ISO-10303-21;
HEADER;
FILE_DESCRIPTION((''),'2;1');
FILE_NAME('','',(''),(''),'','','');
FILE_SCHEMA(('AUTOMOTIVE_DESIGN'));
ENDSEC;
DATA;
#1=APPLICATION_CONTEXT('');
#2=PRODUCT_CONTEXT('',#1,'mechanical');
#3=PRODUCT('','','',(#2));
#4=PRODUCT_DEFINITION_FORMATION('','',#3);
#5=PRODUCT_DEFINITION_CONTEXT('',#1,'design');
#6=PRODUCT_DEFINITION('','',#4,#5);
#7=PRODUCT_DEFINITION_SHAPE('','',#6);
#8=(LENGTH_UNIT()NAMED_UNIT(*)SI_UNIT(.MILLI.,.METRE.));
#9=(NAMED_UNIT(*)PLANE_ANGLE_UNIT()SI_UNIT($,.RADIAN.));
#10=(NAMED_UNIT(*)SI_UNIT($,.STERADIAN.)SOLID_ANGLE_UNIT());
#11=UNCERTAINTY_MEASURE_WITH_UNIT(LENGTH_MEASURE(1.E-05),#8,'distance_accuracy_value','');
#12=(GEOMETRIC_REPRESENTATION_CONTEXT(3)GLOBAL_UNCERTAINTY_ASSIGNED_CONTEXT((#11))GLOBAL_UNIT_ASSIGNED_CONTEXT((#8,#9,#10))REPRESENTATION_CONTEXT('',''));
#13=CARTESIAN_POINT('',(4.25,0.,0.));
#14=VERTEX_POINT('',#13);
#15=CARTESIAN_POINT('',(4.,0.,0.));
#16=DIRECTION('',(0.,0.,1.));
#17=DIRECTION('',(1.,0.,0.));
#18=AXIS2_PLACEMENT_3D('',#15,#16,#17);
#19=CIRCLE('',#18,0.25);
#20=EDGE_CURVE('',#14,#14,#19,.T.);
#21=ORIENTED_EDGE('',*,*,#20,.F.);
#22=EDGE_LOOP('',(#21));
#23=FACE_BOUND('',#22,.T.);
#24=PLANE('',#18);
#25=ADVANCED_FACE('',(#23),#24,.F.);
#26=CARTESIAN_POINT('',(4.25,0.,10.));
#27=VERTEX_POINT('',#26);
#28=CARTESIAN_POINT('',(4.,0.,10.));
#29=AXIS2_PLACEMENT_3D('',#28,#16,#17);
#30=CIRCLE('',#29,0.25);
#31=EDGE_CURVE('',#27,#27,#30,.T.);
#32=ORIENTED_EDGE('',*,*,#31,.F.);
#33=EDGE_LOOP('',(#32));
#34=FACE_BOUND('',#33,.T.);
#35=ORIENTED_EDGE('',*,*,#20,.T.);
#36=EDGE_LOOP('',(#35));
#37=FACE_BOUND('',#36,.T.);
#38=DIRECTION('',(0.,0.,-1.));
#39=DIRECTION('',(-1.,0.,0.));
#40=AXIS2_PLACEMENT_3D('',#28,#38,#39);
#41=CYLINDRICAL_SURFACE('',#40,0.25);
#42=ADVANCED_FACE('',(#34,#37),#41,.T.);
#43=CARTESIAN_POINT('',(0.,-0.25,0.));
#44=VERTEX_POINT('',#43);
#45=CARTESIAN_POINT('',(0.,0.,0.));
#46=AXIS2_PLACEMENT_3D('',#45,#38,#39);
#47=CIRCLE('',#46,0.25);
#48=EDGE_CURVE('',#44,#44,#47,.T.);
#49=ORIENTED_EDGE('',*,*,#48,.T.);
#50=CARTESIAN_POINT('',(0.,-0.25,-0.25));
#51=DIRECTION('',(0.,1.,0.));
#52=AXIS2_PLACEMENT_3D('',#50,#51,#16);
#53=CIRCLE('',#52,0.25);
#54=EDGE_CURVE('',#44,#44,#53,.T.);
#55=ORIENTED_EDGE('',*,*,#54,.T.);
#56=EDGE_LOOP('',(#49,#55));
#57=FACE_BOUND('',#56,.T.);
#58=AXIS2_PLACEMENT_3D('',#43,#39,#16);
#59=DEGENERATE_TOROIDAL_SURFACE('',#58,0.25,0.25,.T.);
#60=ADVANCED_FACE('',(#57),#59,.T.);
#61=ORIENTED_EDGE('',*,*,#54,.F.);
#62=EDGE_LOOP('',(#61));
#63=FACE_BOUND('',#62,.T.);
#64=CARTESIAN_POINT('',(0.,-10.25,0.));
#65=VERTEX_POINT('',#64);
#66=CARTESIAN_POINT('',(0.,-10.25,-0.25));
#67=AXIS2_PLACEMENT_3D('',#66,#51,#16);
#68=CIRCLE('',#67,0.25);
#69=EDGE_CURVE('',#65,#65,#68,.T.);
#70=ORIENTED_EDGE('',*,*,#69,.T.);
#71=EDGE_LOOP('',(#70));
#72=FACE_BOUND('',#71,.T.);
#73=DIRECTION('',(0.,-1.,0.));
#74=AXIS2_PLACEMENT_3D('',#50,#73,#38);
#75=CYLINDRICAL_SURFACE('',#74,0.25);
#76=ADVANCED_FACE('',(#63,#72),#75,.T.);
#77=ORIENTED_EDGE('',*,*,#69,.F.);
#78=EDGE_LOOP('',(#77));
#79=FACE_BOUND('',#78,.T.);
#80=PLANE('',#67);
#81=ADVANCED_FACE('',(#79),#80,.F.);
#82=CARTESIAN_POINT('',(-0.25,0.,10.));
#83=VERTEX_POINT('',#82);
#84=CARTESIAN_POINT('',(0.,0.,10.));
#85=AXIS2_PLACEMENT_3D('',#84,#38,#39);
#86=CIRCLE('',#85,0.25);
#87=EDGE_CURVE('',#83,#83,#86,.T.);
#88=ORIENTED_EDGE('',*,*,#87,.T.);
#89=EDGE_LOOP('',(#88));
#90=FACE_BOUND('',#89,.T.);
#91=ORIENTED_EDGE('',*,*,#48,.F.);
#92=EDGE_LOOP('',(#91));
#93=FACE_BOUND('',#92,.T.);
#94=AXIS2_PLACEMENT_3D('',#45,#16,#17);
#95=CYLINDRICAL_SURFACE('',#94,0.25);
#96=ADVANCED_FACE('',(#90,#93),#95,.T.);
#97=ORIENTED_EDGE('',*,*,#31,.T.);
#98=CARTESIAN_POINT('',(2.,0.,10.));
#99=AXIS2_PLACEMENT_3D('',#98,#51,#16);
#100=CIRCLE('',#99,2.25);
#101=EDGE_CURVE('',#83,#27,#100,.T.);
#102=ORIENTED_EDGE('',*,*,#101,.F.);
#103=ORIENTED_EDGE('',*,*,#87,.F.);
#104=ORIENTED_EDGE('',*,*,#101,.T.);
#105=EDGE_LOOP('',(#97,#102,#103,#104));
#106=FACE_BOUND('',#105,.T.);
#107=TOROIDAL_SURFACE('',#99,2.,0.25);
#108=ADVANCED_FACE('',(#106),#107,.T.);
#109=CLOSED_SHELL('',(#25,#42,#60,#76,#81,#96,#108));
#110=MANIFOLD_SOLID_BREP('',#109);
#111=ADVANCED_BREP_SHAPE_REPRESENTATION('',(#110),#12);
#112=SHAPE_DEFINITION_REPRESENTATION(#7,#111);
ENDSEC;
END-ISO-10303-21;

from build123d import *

# Parameters (mm, degrees)
VARREDURA2_PROFILE_R = 0.25
VARREDURA3_PROFILE_R = 0.25


with BuildPart() as part:
    # Varredura2: sweep along a path in Esboço1
    with BuildLine(Plane(origin=(0, 0, 0), x_dir=(1, 0, 0), z_dir=(0, 1, 0))) as varredura2_path:
        Line((0, 0), (0, -10))
        ThreePointArc((0, -10), (2, -12), (4, -10))
        Line((4, -10), (4, 0))
    # Varredura2 profile (on start of the path) → Varredura2 (sweep)
    with BuildSketch(Plane.XY):
        Circle(VARREDURA2_PROFILE_R)
    sweep(path=varredura2_path.line)

    # Varredura3: sweep along a path in Esboço2
    with BuildLine(Plane(origin=(0, 0, 0), x_dir=(0, 0, -1), z_dir=(1, 0, 0))) as varredura3_path:
        Line((0.25, -10.25), (0.25, -0.25))
        ThreePointArc((0.25, -0.25), (0.176776695, -0.073223305), (0, 0))
    # Varredura3 profile (on start of the path) → Varredura3 (sweep)
    with BuildSketch(Plane(origin=(0, -10.25, -0.25), x_dir=(0, 0, 1), z_dir=(0, 1, 0))):
        Circle(VARREDURA3_PROFILE_R)
    sweep(path=varredura3_path.line)


solid = part.part
